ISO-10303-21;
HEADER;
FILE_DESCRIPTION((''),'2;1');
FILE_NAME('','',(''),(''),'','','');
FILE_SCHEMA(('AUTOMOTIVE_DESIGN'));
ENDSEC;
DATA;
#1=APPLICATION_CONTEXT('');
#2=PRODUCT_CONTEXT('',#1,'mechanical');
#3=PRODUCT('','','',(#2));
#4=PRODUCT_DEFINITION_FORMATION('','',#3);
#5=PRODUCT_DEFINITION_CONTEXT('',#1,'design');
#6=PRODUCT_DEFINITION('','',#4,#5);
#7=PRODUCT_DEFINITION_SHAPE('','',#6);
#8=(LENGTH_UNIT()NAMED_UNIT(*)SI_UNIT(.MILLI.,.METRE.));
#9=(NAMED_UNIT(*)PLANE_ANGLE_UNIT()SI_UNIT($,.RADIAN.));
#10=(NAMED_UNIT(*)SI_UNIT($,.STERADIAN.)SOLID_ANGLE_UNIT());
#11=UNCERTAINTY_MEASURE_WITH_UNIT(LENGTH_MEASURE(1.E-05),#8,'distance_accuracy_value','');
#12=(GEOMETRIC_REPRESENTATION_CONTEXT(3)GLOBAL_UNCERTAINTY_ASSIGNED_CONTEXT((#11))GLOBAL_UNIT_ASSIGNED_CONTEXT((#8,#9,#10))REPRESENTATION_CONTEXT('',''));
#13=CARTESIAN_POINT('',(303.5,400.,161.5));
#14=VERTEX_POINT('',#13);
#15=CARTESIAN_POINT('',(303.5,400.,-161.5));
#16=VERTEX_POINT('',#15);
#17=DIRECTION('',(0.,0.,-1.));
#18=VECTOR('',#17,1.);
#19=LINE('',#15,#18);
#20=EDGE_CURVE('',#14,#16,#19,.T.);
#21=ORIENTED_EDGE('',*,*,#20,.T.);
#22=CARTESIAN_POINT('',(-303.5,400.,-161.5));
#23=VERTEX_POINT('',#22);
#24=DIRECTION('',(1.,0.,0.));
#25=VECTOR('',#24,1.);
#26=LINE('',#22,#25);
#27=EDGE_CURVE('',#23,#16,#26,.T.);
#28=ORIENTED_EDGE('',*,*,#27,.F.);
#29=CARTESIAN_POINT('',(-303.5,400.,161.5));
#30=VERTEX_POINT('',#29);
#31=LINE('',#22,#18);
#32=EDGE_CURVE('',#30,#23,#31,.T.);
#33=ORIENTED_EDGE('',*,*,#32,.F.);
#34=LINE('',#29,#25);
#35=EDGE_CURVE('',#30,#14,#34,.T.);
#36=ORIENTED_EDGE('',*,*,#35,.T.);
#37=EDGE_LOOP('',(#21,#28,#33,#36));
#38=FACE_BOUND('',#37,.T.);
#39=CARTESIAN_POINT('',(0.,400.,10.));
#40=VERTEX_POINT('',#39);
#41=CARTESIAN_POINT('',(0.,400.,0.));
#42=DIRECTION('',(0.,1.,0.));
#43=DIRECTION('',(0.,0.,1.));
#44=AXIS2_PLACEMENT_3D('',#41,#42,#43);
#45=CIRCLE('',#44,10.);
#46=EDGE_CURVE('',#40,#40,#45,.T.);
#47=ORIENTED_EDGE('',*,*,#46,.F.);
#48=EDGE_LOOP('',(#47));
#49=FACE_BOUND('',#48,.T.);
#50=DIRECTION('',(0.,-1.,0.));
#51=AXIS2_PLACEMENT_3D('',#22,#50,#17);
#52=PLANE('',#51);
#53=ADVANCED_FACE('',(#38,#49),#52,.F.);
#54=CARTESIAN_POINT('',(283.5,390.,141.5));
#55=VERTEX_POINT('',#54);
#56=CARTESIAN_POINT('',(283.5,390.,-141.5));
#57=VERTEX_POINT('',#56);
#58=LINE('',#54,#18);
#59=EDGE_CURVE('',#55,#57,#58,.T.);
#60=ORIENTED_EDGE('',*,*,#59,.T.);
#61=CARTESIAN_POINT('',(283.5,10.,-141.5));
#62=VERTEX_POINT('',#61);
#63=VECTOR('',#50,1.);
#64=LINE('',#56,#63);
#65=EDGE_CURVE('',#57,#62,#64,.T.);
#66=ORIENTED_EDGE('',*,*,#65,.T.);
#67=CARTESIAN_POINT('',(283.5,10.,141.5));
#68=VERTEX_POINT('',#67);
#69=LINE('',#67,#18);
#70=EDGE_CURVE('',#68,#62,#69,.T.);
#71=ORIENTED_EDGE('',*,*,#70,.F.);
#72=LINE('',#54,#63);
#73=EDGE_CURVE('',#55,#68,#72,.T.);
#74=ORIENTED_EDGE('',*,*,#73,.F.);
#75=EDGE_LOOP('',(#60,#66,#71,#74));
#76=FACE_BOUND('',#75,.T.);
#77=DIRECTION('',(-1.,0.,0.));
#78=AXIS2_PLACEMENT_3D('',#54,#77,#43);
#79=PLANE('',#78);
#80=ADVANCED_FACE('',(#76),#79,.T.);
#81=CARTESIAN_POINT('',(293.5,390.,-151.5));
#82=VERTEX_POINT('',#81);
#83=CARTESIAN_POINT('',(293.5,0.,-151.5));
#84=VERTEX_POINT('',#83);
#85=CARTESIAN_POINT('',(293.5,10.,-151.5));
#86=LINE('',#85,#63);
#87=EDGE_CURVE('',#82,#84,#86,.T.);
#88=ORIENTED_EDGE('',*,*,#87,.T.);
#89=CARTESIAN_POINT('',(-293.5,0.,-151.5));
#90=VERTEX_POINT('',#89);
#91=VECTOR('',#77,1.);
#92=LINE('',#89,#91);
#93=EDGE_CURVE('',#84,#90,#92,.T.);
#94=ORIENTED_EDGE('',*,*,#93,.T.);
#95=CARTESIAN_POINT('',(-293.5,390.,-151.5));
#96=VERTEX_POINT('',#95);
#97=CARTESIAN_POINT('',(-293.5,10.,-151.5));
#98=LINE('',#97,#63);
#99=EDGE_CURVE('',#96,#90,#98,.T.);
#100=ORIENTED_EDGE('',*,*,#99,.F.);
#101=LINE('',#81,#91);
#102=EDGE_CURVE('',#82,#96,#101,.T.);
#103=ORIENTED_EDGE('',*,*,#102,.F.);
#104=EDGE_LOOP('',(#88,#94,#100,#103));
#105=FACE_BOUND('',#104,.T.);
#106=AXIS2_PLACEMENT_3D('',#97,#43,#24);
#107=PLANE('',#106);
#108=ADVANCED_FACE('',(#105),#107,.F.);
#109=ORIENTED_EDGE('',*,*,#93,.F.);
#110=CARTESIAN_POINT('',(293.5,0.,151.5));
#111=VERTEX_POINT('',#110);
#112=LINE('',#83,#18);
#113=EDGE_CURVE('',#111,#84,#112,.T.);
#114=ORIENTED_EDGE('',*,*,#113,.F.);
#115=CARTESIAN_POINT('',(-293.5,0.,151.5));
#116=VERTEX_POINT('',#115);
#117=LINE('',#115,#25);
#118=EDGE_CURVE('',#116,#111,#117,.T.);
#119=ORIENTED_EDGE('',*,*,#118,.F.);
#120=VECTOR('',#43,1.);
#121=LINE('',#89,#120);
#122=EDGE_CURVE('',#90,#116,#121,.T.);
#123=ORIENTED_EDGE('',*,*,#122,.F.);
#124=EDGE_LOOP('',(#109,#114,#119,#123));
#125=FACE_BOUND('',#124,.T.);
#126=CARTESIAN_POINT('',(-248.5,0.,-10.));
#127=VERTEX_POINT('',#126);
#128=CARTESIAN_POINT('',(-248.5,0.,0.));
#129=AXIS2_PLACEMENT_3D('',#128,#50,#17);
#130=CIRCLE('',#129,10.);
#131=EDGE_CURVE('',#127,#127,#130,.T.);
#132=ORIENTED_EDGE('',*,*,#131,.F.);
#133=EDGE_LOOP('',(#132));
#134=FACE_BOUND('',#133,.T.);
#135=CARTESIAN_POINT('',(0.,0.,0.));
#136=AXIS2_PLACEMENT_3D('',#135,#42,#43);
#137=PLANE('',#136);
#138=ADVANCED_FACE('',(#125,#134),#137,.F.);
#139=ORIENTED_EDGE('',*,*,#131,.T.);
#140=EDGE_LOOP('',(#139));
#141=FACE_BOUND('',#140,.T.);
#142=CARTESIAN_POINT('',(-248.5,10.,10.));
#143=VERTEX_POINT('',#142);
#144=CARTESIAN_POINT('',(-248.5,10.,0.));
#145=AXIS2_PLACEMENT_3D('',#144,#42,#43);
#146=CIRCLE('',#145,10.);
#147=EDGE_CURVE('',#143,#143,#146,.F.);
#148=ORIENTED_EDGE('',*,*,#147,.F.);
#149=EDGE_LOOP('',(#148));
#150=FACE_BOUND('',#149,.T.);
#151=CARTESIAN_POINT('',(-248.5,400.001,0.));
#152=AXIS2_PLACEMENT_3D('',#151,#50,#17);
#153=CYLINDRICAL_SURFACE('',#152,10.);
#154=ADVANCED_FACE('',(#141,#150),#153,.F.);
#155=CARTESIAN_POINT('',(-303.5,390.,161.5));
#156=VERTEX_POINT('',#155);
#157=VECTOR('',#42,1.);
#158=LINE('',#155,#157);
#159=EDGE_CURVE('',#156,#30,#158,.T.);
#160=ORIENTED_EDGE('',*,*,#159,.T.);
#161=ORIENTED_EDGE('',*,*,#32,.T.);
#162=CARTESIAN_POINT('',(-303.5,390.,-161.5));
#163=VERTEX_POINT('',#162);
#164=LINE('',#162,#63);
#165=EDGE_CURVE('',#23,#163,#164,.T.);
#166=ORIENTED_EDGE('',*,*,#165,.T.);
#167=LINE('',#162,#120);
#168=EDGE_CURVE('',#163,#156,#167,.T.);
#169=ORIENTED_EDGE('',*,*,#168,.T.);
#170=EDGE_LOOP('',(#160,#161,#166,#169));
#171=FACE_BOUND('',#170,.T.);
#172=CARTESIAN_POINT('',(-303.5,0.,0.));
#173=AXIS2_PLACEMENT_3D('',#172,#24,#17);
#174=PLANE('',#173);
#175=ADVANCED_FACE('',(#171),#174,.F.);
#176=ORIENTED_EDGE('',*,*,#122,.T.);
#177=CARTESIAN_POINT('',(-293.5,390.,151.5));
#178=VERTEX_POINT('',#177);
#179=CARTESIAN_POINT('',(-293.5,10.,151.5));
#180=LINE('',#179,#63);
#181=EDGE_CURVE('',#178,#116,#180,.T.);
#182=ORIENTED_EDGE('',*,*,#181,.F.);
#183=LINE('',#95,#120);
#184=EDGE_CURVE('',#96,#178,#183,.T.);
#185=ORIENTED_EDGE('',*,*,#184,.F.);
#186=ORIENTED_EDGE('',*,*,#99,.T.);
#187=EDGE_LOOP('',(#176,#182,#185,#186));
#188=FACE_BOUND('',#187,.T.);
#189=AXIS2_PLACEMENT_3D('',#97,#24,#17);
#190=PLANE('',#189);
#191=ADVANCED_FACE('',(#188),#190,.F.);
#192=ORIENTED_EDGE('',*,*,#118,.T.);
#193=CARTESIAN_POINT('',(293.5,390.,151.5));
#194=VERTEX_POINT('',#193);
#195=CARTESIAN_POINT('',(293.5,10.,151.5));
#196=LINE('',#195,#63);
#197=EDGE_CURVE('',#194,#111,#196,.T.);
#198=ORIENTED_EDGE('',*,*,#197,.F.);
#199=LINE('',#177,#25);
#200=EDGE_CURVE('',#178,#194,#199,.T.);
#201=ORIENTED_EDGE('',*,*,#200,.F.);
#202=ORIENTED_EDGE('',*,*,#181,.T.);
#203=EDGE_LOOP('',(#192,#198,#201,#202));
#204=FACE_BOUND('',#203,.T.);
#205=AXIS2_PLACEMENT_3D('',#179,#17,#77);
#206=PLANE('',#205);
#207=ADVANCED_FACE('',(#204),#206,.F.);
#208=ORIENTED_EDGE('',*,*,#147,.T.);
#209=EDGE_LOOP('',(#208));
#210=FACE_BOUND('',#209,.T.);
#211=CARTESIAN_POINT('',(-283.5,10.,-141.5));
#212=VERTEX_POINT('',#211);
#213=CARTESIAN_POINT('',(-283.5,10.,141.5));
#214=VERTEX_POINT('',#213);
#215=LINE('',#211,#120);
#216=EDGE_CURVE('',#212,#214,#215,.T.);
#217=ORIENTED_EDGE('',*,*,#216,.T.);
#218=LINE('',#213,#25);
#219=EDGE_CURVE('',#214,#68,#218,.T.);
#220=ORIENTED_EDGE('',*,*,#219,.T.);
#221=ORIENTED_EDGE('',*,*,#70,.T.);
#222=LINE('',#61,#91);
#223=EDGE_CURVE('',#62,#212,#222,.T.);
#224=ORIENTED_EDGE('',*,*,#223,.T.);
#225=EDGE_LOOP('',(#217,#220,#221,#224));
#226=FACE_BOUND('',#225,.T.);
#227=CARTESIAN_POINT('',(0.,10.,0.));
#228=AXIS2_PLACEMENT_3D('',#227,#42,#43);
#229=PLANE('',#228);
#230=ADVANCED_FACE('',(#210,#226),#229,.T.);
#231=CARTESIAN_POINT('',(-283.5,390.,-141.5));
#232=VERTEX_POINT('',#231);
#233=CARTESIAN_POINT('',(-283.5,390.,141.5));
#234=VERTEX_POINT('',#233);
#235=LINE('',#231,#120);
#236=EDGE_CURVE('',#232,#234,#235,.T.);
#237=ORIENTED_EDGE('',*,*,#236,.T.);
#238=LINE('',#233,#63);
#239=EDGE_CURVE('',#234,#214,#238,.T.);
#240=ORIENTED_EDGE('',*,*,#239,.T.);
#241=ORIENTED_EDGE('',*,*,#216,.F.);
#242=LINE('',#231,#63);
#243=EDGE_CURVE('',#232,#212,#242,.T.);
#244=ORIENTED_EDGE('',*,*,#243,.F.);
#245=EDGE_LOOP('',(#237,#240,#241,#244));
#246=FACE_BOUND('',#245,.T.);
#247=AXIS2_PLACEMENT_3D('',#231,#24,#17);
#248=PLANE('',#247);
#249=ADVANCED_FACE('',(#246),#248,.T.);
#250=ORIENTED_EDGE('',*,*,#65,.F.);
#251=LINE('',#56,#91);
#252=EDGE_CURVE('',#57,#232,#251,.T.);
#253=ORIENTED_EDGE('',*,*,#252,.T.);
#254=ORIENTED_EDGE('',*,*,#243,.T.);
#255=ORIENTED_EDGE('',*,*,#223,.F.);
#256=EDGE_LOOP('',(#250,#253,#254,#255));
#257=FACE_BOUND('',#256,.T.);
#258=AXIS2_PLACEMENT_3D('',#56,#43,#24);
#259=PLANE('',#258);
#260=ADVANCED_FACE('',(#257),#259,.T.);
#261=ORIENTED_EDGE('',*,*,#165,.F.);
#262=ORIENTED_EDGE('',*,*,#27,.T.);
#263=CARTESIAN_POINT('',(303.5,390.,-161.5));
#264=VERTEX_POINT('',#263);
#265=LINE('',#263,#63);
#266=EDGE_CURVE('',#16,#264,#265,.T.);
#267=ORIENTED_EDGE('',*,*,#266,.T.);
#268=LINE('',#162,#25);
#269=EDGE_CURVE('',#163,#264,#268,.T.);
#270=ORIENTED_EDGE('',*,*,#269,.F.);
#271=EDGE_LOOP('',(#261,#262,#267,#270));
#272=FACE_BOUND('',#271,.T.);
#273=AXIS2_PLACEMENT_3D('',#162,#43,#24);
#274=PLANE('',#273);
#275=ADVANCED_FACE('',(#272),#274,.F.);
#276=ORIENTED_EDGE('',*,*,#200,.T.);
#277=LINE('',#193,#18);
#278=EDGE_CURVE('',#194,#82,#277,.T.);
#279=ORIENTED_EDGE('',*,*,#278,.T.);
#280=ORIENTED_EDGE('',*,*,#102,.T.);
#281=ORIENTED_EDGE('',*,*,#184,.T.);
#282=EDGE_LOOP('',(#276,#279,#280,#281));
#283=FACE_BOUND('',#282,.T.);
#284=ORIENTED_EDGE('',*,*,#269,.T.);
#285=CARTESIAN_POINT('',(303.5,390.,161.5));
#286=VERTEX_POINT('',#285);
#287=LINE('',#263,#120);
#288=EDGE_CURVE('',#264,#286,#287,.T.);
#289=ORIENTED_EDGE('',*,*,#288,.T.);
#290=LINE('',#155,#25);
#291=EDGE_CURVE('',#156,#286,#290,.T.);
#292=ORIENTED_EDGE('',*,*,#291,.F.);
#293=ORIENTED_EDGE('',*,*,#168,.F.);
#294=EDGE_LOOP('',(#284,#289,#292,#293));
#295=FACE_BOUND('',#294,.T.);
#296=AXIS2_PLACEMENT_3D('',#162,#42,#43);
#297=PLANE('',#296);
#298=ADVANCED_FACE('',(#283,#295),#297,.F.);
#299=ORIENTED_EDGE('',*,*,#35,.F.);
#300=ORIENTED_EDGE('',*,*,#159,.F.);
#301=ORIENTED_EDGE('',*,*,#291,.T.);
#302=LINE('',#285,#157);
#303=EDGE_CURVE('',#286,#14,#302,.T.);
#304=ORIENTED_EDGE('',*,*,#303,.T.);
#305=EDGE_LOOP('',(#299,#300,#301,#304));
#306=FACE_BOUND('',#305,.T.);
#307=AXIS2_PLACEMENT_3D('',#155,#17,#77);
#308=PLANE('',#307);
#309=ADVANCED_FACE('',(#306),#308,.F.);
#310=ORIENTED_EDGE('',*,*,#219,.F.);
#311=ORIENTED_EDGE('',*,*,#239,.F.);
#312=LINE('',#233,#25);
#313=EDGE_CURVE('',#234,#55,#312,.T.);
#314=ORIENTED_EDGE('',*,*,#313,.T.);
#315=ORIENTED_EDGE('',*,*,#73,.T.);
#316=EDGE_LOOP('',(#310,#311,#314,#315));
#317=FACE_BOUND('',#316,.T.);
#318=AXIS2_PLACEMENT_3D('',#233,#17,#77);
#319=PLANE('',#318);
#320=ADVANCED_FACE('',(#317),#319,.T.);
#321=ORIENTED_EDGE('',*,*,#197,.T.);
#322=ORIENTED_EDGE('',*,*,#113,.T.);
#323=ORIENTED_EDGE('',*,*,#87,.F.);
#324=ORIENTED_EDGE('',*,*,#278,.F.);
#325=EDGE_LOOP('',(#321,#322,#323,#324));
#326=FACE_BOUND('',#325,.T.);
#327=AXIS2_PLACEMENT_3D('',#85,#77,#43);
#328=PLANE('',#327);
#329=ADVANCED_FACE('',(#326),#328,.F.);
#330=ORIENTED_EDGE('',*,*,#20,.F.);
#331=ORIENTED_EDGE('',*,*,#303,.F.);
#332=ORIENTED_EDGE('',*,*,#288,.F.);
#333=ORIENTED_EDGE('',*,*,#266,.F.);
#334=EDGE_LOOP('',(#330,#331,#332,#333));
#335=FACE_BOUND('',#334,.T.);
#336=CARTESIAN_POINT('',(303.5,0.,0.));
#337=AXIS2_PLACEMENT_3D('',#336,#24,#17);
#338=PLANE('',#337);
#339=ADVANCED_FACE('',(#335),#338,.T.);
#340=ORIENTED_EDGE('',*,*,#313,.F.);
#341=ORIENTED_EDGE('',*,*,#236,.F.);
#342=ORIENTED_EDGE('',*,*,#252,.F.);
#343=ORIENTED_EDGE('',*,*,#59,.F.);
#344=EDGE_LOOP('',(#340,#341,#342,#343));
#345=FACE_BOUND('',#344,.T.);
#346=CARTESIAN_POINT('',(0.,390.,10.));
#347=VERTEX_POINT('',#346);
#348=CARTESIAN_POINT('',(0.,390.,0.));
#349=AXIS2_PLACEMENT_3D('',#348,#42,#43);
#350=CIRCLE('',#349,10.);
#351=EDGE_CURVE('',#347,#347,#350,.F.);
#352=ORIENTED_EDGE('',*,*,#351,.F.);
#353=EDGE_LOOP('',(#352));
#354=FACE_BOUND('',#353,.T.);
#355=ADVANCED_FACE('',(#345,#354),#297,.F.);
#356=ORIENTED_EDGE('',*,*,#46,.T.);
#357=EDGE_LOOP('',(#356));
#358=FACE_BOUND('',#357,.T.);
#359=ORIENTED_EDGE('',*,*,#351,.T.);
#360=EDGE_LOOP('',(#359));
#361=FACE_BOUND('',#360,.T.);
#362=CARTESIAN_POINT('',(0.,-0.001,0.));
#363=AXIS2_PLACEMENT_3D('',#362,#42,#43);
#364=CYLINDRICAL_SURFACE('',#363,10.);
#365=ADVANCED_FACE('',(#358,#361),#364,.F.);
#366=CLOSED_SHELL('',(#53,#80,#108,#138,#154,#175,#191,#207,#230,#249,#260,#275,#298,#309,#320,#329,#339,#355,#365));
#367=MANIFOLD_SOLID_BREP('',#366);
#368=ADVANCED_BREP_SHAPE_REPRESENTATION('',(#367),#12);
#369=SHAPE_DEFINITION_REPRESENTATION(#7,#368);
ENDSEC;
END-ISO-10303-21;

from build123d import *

# Parameters (mm, degrees)
SKETCH2_W      = 587
SKETCH2_H      = 303
BASE_DEPTH     = 10
SKETCH4_W      = 587
SKETCH4_H      = 303
SKETCH4_W_2    = 567
SKETCH4_H_2    = 283
WALLS_DEPTH    = 380
LID_DEPTH      = 10
LID_DEPTH_BACK = 597
SKETCH5_W      = 323
SKETCH5_H      = 10
INLET_REACH    = 529.441
SKETCH8_R      = 10
OUTLET_REACH   = 529.441
SKETCH9_R      = 10


with BuildPart() as part:
    # Sketch2 → Base (new body)
    with BuildSketch(Plane(origin=(0, 0, 0), x_dir=(1, 0, 0), z_dir=(0, 1, 0))):
        Rectangle(SKETCH2_W, SKETCH2_H)
    extrude(amount=BASE_DEPTH)

    # Sketch4 → Walls (add)
    with BuildSketch(Plane(origin=(0, 10, 0), x_dir=(1, 0, 0), z_dir=(0, 1, 0))):
        Rectangle(SKETCH4_W, SKETCH4_H)
        Rectangle(SKETCH4_W_2, SKETCH4_H_2, mode=Mode.SUBTRACT)
    extrude(amount=WALLS_DEPTH)

    # Sketch5 → Lid (add, two sides: drawn at the far end of the back side and taken through both)
    with BuildSketch(Plane.ZY.offset(293.5).offset(-LID_DEPTH_BACK)):
        with Locations((0, 395)):
            Rectangle(SKETCH5_W, SKETCH5_H)
    extrude(amount=LID_DEPTH + LID_DEPTH_BACK)

    # Sketch8 → Inlet (cut, up to next)
    with BuildSketch(Plane(origin=(0, 400, 0), x_dir=(1, 0, 0), z_dir=(0, 1, 0)), mode=Mode.PRIVATE) as inlet_sk1:
        with Locations(Location((0, 0, 0), (0, 0, 270))):
            Circle(SKETCH8_R)
    inlet_tool1 = extrude(inlet_sk1.sketch, amount=-INLET_REACH, mode=Mode.PRIVATE) & part.part
    add(inlet_tool1.solids().sort_by_distance((0, 400, 0))[0], mode=Mode.SUBTRACT)

    # Sketch9 → Outlet (cut, up to next)
    with BuildSketch(Plane.XZ, mode=Mode.PRIVATE) as outlet_sk1:
        with Locations(Location((-248.5, 0, 0), (0, 0, 270))):
            Circle(SKETCH9_R)
    outlet_tool1 = extrude(outlet_sk1.sketch, amount=-OUTLET_REACH, mode=Mode.PRIVATE) & part.part
    add(outlet_tool1.solids().sort_by_distance((-248.5, 0, 0))[0], mode=Mode.SUBTRACT)


solid = part.part
